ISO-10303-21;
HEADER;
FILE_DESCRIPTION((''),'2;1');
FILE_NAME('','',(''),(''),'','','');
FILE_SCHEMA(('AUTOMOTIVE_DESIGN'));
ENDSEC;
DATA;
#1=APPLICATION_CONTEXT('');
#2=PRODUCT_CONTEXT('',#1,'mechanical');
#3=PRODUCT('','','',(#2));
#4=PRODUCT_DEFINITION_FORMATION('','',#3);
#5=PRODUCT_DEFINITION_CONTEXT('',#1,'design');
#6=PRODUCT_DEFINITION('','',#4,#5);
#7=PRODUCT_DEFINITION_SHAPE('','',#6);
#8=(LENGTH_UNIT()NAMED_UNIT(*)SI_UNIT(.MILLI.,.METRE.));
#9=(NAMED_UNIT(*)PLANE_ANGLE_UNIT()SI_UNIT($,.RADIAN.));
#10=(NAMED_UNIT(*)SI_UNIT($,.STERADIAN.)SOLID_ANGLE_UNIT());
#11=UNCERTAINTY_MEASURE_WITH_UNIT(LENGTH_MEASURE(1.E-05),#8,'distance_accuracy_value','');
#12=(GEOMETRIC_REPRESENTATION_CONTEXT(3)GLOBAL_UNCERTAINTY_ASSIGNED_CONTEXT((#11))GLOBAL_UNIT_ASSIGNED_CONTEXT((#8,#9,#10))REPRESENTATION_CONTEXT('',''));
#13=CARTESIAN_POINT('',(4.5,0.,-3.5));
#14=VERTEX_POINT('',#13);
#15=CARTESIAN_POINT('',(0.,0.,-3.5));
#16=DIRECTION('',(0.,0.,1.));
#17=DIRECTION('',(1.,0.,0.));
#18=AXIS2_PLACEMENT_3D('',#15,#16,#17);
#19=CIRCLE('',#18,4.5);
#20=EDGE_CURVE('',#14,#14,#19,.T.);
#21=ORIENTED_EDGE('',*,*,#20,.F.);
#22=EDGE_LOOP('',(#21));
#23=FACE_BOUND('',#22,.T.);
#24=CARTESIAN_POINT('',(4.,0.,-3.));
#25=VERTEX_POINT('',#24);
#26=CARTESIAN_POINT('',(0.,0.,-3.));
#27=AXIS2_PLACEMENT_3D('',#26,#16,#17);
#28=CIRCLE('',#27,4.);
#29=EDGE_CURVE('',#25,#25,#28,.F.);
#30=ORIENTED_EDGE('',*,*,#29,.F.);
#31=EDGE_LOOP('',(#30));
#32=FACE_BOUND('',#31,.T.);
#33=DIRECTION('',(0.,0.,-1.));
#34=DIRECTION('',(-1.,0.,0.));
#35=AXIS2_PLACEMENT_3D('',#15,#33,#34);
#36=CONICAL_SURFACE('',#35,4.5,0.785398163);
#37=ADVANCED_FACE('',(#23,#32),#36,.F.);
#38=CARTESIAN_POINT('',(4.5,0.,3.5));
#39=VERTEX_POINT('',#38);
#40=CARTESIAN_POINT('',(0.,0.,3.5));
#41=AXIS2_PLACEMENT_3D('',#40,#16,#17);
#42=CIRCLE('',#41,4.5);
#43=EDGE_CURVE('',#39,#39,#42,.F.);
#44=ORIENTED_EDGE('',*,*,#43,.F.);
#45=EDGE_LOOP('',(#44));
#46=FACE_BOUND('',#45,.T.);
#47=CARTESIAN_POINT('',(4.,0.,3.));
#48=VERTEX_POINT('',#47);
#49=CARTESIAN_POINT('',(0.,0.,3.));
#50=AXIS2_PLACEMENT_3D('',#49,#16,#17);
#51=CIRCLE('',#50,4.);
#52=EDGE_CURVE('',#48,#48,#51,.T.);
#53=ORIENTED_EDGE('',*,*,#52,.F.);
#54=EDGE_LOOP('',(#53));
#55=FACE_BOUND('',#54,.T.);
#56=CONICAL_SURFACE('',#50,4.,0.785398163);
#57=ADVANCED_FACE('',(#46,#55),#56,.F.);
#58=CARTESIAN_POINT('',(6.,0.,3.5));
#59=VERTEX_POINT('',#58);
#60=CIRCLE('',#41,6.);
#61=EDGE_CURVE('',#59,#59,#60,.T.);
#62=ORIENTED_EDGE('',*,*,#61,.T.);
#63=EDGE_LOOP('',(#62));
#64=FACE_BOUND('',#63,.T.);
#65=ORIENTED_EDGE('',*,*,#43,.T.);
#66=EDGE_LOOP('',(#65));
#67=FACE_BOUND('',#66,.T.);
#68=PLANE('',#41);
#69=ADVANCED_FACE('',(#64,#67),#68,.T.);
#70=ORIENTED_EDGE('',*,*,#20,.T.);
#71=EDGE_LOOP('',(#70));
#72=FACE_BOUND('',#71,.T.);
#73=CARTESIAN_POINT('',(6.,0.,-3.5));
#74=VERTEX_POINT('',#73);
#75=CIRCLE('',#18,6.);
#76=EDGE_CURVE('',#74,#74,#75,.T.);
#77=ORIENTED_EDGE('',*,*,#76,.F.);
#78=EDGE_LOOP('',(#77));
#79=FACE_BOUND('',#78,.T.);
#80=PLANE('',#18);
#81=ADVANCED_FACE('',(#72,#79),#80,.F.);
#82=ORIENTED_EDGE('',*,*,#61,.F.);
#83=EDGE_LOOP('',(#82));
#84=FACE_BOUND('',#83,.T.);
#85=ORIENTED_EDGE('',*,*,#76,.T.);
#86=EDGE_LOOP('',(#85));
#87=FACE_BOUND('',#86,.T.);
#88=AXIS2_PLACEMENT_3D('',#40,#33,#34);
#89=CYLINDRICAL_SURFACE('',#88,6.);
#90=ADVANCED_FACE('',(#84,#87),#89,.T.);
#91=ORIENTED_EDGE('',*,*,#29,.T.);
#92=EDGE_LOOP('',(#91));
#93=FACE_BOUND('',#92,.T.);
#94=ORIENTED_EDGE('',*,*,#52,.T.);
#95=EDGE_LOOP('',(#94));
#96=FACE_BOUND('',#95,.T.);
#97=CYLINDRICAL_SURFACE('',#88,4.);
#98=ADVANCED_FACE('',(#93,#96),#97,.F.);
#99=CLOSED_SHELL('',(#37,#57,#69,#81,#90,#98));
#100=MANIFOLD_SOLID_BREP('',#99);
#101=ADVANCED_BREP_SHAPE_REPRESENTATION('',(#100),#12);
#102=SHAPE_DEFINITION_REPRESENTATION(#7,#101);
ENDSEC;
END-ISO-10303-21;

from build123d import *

# Parameters (mm, degrees)
SKETCH1_R           = 6
SKETCH1_R_2         = 4
BOSS_EXTRUDE1_DEPTH = 3.5
CHAMFER1_SIZE       = 0.5


with BuildPart() as part:
    # Sketch1 → Boss-Extrude1 (new body, symmetric)
    with BuildSketch(Plane.XY):
        Circle(SKETCH1_R)
        Circle(SKETCH1_R_2, mode=Mode.SUBTRACT)
    extrude(amount=BOSS_EXTRUDE1_DEPTH, both=True)

    # Chamfer1
    chamfer1_edges = [part.edges().sort_by_distance(p)[0] for p in [
        (-4, 0, -3.5),
        (-4, 0, 3.5),
    ]]
    chamfer(chamfer1_edges, length=CHAMFER1_SIZE)


solid = part.part
